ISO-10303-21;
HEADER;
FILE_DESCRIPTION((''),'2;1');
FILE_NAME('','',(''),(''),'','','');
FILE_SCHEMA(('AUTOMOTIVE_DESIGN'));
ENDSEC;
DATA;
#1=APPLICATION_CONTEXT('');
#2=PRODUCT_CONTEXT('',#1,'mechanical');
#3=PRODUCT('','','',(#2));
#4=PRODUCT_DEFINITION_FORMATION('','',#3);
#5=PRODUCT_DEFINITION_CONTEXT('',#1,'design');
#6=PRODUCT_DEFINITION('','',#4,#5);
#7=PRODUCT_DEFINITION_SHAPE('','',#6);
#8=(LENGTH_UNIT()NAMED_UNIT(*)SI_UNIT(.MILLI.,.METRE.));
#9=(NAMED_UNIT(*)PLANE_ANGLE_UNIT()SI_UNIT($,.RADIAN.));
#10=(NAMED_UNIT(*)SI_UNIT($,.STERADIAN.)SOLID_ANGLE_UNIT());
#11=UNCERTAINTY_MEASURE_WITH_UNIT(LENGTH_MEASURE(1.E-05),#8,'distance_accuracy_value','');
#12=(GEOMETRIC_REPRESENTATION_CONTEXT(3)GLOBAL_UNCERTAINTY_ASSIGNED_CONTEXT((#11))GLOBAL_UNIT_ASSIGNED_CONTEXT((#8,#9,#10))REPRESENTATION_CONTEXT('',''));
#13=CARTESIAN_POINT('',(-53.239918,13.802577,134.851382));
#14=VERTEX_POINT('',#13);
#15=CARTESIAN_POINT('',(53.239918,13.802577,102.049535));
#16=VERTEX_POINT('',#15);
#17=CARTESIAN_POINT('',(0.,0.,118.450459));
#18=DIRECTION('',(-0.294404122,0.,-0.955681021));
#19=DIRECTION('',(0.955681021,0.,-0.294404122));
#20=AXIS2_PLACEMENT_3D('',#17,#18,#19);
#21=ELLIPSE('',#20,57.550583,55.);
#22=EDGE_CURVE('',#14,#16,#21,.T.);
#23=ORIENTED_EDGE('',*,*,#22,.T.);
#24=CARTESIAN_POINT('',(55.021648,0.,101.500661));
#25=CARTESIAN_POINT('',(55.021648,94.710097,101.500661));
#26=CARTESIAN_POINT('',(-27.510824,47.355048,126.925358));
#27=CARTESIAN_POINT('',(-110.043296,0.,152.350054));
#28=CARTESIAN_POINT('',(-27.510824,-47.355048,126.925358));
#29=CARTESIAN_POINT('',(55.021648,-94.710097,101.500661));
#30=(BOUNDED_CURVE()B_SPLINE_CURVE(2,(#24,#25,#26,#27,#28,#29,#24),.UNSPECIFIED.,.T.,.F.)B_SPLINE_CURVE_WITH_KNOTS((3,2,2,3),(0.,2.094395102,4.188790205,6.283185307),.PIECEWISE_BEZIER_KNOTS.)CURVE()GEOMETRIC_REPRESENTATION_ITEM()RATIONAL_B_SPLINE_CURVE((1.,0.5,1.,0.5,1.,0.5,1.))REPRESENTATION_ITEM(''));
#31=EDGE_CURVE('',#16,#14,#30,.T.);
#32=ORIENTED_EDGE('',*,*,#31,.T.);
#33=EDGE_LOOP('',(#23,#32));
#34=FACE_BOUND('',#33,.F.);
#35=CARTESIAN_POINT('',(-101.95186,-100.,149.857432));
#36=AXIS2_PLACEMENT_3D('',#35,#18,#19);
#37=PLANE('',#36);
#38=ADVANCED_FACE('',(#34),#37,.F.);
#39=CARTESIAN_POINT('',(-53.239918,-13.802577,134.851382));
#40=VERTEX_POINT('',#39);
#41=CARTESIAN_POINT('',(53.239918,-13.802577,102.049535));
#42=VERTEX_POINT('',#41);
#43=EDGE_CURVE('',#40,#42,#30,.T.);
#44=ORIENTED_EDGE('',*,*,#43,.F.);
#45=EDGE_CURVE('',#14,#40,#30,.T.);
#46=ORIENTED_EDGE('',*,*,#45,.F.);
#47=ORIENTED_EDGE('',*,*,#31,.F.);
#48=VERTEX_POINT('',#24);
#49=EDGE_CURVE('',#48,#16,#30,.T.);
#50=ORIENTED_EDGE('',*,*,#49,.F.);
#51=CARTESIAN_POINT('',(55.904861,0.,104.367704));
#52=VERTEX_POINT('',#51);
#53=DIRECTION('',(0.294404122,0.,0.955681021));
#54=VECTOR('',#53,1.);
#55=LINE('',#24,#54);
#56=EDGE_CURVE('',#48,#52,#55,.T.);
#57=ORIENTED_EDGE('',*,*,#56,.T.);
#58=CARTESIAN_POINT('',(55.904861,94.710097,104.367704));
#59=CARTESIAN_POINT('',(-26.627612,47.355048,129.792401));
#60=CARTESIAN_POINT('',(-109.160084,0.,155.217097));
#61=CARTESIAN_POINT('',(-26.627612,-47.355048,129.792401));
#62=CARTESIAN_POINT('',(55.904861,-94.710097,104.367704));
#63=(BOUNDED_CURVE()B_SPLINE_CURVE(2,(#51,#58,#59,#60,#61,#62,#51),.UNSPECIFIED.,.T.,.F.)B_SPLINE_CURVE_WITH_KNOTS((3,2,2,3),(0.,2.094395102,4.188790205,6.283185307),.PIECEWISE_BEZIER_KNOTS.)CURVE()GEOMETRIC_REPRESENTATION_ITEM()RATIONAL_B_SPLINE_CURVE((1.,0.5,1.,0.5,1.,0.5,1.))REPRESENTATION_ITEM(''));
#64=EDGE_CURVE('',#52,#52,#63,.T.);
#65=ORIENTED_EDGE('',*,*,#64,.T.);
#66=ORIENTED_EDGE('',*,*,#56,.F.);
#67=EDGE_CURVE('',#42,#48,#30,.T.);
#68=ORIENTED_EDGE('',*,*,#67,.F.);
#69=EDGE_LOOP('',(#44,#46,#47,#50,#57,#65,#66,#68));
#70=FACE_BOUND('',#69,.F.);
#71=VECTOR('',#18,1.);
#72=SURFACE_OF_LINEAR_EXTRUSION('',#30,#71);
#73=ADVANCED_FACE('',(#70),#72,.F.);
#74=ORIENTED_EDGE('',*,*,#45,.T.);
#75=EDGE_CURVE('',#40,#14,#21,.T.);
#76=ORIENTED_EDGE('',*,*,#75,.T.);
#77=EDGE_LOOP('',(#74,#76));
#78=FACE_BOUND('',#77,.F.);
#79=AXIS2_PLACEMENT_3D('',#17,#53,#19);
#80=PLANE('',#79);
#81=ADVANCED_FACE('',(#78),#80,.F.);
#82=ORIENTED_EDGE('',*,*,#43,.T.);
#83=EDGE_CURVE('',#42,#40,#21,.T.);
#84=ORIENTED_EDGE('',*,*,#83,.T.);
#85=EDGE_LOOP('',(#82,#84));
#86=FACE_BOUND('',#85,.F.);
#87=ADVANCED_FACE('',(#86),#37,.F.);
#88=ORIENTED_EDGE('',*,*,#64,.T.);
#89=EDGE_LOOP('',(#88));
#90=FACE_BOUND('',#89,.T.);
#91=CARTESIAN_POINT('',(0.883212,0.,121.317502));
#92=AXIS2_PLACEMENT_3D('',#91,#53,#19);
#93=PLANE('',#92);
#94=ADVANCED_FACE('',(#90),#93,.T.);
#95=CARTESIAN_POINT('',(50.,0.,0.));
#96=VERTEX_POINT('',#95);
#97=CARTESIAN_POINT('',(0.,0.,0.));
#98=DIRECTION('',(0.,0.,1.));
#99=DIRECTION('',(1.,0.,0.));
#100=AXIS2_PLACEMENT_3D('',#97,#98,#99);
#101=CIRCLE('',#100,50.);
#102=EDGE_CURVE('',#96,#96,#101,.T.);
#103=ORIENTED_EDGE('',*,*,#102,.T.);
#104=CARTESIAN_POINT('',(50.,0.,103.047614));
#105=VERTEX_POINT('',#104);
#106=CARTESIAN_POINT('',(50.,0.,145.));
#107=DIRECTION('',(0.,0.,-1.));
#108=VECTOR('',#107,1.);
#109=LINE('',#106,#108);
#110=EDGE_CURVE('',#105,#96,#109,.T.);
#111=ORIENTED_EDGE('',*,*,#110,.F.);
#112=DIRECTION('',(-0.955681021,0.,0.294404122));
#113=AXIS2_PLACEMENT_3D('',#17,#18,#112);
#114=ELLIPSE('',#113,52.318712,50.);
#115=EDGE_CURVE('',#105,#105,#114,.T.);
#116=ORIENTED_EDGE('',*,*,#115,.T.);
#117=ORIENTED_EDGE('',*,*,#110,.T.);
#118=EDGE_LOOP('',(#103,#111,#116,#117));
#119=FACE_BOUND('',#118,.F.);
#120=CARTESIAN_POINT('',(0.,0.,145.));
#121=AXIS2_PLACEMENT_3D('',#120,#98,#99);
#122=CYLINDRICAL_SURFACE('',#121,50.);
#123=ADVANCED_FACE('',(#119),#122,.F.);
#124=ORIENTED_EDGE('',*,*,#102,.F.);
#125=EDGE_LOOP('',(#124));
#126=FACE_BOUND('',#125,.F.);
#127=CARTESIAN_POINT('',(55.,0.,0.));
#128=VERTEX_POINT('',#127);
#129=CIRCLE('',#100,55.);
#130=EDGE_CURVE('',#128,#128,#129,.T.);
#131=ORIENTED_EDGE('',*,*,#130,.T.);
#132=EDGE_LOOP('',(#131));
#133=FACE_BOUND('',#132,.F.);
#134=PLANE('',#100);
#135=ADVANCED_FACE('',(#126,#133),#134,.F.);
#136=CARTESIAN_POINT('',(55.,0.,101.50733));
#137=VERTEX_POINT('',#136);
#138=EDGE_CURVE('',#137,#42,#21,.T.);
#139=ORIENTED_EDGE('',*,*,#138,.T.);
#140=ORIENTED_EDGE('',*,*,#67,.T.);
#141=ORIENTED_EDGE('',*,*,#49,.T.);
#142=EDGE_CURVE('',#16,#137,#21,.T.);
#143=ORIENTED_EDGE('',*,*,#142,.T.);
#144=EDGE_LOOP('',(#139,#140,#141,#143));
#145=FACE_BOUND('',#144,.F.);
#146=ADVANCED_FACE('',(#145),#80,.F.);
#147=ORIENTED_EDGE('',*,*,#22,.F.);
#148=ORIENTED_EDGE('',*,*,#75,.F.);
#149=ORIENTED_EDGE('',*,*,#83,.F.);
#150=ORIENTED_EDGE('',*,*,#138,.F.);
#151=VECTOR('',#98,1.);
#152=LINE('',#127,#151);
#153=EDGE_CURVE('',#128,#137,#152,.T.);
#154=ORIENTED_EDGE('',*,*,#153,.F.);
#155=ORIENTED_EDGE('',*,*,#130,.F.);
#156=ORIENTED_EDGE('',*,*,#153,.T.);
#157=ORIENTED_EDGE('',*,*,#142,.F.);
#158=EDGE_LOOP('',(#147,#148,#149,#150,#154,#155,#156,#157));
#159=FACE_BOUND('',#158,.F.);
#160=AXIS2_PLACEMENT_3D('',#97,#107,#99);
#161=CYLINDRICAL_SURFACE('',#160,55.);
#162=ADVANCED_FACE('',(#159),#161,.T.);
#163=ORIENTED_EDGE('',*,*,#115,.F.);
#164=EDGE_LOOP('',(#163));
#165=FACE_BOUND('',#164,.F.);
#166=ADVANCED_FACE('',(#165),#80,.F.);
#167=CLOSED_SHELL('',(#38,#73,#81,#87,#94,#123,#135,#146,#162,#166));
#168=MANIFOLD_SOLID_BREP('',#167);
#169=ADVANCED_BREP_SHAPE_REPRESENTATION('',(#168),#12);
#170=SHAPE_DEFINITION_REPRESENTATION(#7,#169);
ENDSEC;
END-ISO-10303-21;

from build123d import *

# Parameters (mm, degrees)
F0_R     = 55
F1_DEPTH = 145
F2_R     = 50
F3_DEPTH = 145
F6_DEPTH = 155.001
F8_DEPTH = 3


with BuildPart() as f1:
    # F0 (on Top) → F1 (new body)
    with BuildSketch(Plane.XY):
        Circle(F0_R)
    extrude(amount=F1_DEPTH)

    # F2 (on face) → F3 (cut)
    with BuildSketch(Plane.XY.offset(145)):
        Circle(F2_R)
    extrude(amount=-F3_DEPTH, mode=Mode.SUBTRACT)

    # F5 (on offset) → F6 (cut, through all)
    with BuildSketch(Plane.XZ.offset(100)):
        Polygon((82.8120857477, 161.7481857538), (-101.9518598914, 149.8574316502), (91.0441428423, 90.4036834836), align=None)
    extrude(amount=-F6_DEPTH, mode=Mode.SUBTRACT)

    # F7 (on face) → F8 (join)
    with BuildSketch(Plane(origin=(33.3267984426, 0, 108.1839090332), x_dir=(0.9556810205, 0, -0.2944041219), z_dir=(0.2944041219, 0, 0.9556810205))):
        with BuildLine():
            add(Edge.make_bspline(
                [(22.7009318769, 0), (22.7009318769, 94.710096546), (-63.6589209463, 47.355048273), (-150.0187737696, 0), (-63.6589209463, -47.355048273), (22.7009318769, -94.710096546), (22.7009318769, 0)],
                knots=[0, 0, 0, 2.0943951024, 2.0943951024, 4.1887902048, 4.1887902048, 6.2831853072, 6.2831853072, 6.2831853072], degree=2, weights=[1, 0.5, 1, 0.5, 1, 0.5, 1]))
        make_face()
    extrude(amount=F8_DEPTH)


solid = f1.part
